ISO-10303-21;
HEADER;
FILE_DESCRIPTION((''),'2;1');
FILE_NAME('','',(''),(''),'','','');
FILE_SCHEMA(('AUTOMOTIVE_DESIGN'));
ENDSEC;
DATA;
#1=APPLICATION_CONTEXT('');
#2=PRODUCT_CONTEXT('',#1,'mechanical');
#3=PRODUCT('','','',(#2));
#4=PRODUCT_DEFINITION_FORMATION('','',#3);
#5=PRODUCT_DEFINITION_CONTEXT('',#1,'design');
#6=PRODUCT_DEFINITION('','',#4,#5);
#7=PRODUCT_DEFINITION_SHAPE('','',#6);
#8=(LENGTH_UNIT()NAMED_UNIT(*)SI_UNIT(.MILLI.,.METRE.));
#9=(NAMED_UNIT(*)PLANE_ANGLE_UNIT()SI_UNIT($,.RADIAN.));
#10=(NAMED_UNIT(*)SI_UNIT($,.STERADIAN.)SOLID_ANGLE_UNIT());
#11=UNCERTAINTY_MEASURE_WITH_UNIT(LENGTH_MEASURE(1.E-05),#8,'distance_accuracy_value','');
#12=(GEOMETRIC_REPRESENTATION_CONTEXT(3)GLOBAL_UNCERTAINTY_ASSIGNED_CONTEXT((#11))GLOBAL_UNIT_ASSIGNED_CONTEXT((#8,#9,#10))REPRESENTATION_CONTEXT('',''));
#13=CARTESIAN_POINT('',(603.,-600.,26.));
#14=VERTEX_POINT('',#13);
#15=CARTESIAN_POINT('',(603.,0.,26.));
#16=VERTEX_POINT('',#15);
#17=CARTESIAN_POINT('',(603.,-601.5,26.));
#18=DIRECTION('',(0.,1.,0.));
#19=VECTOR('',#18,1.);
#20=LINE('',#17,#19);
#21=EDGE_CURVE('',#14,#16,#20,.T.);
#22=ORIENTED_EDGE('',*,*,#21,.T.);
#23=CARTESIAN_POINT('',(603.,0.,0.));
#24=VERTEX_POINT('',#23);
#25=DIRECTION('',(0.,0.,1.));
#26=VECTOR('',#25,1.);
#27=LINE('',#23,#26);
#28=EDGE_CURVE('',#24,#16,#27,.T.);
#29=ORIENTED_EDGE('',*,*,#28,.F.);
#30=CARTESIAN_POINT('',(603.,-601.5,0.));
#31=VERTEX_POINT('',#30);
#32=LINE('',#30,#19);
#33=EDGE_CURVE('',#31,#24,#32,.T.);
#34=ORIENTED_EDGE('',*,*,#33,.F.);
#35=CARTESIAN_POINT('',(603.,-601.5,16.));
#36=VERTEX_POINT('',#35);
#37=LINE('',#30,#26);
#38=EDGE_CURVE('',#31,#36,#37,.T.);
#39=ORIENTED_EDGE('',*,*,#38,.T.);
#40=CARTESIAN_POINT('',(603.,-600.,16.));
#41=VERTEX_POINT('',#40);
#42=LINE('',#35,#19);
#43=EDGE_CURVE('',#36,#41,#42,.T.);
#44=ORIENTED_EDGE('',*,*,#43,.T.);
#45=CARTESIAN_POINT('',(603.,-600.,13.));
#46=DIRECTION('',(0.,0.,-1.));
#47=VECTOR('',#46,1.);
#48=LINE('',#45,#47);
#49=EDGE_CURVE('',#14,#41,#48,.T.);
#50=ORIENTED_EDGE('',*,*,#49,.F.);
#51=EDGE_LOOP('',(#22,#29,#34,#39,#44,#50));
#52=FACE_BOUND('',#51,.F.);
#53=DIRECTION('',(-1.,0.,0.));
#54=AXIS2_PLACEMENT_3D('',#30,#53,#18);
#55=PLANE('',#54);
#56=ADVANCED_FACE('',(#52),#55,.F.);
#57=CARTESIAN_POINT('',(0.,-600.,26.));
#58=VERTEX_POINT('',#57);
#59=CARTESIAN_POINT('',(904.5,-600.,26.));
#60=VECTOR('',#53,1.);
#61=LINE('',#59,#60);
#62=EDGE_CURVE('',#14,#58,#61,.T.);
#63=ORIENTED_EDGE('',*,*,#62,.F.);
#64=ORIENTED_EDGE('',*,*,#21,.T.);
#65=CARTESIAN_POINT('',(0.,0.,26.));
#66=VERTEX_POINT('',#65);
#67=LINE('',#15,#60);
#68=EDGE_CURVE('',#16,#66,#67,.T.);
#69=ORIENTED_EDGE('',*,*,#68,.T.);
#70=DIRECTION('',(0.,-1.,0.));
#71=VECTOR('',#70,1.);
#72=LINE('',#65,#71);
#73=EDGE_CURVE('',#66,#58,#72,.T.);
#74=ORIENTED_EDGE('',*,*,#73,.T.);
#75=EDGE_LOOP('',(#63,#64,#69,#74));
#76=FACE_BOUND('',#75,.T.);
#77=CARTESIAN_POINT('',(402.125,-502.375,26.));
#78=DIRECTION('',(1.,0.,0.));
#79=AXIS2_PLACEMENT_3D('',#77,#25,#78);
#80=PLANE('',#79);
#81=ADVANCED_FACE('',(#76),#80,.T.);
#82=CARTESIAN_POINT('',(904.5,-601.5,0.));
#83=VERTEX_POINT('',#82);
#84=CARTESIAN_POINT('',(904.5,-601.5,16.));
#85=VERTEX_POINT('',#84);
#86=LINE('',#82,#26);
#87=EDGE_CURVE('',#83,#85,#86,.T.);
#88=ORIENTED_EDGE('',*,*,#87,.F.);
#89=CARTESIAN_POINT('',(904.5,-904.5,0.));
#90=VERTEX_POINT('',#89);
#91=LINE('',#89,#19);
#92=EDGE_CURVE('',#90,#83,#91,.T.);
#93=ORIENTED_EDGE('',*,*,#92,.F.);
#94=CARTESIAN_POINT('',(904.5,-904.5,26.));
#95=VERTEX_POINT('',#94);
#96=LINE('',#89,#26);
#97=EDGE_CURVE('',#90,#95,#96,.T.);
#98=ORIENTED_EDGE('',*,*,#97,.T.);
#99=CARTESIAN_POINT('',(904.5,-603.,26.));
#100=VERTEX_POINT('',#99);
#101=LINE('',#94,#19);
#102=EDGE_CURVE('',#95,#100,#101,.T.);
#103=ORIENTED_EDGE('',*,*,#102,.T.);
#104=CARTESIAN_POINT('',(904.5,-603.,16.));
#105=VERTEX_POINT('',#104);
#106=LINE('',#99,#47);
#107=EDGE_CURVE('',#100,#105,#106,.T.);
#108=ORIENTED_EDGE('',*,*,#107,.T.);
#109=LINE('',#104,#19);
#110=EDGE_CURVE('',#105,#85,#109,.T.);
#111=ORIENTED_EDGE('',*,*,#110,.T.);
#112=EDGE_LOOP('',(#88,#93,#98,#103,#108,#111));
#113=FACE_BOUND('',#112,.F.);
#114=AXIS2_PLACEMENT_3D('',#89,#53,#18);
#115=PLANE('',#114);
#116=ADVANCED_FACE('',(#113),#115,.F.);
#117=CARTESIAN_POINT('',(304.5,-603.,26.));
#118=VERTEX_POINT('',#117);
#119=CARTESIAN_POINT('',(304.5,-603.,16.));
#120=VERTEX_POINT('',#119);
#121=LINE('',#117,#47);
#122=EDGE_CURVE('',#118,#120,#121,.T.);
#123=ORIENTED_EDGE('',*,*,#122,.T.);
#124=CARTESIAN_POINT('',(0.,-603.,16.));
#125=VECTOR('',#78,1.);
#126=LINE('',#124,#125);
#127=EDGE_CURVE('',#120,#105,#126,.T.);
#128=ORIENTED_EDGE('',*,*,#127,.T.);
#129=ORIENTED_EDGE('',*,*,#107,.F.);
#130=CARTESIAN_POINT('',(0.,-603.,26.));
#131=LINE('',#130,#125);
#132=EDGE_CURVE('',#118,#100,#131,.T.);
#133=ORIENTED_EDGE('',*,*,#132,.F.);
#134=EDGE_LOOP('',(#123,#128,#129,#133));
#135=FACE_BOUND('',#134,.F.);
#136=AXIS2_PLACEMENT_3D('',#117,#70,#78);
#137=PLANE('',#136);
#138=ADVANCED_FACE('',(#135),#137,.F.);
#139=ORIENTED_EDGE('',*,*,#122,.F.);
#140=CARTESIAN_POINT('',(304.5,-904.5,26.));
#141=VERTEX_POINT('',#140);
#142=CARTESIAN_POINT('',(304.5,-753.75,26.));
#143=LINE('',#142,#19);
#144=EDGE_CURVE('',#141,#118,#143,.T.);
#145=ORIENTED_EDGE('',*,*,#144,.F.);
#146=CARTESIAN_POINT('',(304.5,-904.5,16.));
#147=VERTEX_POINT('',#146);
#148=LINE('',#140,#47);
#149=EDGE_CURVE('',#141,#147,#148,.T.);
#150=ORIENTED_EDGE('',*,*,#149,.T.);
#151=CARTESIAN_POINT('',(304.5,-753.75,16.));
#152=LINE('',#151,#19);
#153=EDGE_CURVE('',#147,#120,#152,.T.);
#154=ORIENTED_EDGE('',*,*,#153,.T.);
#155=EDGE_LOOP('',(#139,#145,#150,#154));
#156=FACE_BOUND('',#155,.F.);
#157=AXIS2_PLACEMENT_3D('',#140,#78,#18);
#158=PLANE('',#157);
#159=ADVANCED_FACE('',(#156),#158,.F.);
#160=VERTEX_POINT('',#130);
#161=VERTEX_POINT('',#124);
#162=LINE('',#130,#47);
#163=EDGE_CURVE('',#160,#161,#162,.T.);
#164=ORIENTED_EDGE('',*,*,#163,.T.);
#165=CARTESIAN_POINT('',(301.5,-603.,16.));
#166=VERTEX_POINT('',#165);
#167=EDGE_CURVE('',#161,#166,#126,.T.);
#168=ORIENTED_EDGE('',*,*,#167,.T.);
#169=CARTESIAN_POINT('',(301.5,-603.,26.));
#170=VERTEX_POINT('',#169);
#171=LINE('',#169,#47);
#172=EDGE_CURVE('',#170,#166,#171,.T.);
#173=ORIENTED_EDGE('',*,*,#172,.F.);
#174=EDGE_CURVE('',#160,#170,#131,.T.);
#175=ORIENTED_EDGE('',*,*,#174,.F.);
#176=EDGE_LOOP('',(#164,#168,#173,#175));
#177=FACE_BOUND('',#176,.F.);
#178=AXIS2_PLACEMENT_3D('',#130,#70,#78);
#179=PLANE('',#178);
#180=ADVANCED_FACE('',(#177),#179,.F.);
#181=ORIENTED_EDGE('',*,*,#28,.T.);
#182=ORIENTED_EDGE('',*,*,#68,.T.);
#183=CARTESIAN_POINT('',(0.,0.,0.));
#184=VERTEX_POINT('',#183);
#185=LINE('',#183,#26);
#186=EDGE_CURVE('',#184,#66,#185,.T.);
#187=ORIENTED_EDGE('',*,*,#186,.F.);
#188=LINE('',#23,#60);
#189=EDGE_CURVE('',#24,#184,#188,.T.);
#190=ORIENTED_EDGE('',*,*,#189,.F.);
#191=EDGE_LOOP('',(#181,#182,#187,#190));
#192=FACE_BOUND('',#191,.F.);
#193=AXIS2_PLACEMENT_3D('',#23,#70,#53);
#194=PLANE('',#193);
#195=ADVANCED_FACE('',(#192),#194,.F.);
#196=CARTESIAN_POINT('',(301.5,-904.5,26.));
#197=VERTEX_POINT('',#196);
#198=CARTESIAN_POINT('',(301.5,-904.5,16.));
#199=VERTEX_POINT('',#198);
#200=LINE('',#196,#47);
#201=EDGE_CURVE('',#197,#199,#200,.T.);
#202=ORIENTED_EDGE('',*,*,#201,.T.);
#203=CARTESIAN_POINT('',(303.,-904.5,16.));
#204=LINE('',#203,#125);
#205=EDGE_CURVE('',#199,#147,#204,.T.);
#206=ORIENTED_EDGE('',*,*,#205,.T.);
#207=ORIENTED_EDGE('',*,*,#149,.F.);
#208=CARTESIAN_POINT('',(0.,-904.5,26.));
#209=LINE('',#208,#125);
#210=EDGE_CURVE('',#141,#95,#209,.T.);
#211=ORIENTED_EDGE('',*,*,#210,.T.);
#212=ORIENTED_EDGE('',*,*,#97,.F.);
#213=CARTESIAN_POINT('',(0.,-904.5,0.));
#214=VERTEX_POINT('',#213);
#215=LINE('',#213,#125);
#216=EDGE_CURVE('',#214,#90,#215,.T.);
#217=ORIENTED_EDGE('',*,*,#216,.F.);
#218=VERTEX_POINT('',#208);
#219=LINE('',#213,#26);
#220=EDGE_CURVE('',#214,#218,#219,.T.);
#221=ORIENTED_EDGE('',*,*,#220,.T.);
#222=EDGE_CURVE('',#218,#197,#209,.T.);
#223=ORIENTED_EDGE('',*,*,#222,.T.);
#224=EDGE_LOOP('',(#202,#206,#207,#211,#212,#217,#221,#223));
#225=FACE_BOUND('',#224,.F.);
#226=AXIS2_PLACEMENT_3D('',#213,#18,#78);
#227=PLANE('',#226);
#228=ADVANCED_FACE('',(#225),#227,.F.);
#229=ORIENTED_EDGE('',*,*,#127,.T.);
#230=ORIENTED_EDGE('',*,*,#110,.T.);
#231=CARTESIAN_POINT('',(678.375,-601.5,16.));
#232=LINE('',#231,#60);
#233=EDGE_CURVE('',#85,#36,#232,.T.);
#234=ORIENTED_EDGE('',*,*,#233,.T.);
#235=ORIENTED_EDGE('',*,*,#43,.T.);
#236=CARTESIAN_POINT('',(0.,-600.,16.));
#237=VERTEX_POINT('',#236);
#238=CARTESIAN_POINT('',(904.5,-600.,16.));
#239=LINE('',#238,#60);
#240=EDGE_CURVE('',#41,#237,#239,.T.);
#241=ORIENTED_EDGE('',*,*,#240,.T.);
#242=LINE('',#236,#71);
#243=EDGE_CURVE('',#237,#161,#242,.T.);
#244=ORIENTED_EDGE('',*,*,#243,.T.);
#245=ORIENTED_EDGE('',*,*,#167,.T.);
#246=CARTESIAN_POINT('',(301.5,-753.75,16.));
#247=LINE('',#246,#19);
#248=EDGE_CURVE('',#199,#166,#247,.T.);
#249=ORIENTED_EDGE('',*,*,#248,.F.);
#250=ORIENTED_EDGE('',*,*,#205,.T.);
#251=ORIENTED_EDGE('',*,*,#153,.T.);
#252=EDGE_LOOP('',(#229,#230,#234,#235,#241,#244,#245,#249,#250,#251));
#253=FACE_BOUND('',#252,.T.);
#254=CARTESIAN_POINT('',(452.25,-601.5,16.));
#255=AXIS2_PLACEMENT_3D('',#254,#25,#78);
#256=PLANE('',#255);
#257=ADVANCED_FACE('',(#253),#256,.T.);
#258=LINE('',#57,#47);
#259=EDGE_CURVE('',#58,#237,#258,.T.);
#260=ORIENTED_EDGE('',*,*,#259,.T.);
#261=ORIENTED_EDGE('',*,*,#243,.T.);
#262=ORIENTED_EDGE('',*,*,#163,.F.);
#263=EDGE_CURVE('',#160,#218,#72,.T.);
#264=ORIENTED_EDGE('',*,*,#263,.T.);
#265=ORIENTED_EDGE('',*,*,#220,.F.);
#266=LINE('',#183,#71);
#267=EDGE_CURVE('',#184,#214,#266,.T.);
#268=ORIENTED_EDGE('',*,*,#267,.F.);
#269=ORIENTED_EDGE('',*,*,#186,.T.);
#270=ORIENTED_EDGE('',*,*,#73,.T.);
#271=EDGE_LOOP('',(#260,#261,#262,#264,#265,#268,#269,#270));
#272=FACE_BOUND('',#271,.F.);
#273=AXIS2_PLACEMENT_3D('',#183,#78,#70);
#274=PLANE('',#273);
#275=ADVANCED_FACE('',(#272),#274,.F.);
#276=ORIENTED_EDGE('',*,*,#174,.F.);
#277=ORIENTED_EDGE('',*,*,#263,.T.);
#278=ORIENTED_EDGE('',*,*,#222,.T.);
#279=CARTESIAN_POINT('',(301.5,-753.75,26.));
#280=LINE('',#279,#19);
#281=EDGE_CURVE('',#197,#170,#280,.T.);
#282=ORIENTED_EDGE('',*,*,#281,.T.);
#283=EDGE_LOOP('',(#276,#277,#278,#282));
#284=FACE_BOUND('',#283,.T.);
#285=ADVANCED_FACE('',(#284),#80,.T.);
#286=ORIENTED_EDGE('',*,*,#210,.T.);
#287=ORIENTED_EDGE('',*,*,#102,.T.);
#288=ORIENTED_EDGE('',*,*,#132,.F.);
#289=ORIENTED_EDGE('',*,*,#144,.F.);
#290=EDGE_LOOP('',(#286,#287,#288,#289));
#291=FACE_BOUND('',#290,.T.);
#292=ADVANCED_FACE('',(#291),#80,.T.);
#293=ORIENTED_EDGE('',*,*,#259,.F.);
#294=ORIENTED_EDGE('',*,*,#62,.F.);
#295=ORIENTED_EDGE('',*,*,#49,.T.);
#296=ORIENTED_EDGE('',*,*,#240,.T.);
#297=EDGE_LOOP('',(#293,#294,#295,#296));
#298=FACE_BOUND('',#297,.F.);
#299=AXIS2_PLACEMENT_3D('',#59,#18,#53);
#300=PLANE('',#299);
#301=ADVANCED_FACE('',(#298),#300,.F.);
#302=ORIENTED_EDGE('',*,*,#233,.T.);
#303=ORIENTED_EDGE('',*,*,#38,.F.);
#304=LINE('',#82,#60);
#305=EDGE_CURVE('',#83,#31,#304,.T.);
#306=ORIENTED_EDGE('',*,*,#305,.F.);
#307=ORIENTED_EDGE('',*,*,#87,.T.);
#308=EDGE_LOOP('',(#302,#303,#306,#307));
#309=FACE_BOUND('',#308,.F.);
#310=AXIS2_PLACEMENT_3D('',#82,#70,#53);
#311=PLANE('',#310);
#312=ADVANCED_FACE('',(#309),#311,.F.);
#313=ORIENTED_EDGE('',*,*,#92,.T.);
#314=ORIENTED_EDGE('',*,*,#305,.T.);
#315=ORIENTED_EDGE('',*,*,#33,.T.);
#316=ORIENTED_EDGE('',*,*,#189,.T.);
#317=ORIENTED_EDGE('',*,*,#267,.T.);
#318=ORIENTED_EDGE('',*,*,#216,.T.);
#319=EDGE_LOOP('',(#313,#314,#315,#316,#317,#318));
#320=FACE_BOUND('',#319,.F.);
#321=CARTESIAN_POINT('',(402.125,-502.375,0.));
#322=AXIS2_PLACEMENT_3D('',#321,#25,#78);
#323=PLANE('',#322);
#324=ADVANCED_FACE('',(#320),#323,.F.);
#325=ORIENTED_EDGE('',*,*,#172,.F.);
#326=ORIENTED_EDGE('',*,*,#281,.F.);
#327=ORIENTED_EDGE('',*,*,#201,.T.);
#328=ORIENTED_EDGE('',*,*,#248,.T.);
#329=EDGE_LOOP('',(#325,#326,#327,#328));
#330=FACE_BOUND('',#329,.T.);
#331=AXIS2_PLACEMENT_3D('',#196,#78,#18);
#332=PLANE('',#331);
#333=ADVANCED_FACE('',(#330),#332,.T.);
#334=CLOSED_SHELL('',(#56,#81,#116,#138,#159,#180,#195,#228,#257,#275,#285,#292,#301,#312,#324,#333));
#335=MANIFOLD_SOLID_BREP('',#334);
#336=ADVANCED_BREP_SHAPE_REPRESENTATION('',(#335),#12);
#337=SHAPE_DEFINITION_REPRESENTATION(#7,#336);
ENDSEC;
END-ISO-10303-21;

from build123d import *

# Parameters (mm, degrees)
F1_DEPTH = 26
F2_W     = 3
F2_H     = 301.5
F3_DEPTH = 10


with BuildPart() as f1:
    # F0 (on Top) → F1 (new body)
    with BuildSketch(Plane.XY):
        Polygon((603, 0), (0, 0), (0, -904.5), (904.5, -904.5), (904.5, -601.5), (603, -601.5), align=None)
    extrude(amount=F1_DEPTH)

    # F2 (on face) → F3 (cut)
    with BuildSketch(Plane.XY.offset(26)):
        Polygon((0, -600), (0, -603), (301.5, -603), (304.5, -603), (904.5, -603), (904.5, -600), align=None)
        with Locations((303, -753.75)):
            Rectangle(F2_W, F2_H)
    extrude(amount=-F3_DEPTH, mode=Mode.SUBTRACT)


solid = f1.part
